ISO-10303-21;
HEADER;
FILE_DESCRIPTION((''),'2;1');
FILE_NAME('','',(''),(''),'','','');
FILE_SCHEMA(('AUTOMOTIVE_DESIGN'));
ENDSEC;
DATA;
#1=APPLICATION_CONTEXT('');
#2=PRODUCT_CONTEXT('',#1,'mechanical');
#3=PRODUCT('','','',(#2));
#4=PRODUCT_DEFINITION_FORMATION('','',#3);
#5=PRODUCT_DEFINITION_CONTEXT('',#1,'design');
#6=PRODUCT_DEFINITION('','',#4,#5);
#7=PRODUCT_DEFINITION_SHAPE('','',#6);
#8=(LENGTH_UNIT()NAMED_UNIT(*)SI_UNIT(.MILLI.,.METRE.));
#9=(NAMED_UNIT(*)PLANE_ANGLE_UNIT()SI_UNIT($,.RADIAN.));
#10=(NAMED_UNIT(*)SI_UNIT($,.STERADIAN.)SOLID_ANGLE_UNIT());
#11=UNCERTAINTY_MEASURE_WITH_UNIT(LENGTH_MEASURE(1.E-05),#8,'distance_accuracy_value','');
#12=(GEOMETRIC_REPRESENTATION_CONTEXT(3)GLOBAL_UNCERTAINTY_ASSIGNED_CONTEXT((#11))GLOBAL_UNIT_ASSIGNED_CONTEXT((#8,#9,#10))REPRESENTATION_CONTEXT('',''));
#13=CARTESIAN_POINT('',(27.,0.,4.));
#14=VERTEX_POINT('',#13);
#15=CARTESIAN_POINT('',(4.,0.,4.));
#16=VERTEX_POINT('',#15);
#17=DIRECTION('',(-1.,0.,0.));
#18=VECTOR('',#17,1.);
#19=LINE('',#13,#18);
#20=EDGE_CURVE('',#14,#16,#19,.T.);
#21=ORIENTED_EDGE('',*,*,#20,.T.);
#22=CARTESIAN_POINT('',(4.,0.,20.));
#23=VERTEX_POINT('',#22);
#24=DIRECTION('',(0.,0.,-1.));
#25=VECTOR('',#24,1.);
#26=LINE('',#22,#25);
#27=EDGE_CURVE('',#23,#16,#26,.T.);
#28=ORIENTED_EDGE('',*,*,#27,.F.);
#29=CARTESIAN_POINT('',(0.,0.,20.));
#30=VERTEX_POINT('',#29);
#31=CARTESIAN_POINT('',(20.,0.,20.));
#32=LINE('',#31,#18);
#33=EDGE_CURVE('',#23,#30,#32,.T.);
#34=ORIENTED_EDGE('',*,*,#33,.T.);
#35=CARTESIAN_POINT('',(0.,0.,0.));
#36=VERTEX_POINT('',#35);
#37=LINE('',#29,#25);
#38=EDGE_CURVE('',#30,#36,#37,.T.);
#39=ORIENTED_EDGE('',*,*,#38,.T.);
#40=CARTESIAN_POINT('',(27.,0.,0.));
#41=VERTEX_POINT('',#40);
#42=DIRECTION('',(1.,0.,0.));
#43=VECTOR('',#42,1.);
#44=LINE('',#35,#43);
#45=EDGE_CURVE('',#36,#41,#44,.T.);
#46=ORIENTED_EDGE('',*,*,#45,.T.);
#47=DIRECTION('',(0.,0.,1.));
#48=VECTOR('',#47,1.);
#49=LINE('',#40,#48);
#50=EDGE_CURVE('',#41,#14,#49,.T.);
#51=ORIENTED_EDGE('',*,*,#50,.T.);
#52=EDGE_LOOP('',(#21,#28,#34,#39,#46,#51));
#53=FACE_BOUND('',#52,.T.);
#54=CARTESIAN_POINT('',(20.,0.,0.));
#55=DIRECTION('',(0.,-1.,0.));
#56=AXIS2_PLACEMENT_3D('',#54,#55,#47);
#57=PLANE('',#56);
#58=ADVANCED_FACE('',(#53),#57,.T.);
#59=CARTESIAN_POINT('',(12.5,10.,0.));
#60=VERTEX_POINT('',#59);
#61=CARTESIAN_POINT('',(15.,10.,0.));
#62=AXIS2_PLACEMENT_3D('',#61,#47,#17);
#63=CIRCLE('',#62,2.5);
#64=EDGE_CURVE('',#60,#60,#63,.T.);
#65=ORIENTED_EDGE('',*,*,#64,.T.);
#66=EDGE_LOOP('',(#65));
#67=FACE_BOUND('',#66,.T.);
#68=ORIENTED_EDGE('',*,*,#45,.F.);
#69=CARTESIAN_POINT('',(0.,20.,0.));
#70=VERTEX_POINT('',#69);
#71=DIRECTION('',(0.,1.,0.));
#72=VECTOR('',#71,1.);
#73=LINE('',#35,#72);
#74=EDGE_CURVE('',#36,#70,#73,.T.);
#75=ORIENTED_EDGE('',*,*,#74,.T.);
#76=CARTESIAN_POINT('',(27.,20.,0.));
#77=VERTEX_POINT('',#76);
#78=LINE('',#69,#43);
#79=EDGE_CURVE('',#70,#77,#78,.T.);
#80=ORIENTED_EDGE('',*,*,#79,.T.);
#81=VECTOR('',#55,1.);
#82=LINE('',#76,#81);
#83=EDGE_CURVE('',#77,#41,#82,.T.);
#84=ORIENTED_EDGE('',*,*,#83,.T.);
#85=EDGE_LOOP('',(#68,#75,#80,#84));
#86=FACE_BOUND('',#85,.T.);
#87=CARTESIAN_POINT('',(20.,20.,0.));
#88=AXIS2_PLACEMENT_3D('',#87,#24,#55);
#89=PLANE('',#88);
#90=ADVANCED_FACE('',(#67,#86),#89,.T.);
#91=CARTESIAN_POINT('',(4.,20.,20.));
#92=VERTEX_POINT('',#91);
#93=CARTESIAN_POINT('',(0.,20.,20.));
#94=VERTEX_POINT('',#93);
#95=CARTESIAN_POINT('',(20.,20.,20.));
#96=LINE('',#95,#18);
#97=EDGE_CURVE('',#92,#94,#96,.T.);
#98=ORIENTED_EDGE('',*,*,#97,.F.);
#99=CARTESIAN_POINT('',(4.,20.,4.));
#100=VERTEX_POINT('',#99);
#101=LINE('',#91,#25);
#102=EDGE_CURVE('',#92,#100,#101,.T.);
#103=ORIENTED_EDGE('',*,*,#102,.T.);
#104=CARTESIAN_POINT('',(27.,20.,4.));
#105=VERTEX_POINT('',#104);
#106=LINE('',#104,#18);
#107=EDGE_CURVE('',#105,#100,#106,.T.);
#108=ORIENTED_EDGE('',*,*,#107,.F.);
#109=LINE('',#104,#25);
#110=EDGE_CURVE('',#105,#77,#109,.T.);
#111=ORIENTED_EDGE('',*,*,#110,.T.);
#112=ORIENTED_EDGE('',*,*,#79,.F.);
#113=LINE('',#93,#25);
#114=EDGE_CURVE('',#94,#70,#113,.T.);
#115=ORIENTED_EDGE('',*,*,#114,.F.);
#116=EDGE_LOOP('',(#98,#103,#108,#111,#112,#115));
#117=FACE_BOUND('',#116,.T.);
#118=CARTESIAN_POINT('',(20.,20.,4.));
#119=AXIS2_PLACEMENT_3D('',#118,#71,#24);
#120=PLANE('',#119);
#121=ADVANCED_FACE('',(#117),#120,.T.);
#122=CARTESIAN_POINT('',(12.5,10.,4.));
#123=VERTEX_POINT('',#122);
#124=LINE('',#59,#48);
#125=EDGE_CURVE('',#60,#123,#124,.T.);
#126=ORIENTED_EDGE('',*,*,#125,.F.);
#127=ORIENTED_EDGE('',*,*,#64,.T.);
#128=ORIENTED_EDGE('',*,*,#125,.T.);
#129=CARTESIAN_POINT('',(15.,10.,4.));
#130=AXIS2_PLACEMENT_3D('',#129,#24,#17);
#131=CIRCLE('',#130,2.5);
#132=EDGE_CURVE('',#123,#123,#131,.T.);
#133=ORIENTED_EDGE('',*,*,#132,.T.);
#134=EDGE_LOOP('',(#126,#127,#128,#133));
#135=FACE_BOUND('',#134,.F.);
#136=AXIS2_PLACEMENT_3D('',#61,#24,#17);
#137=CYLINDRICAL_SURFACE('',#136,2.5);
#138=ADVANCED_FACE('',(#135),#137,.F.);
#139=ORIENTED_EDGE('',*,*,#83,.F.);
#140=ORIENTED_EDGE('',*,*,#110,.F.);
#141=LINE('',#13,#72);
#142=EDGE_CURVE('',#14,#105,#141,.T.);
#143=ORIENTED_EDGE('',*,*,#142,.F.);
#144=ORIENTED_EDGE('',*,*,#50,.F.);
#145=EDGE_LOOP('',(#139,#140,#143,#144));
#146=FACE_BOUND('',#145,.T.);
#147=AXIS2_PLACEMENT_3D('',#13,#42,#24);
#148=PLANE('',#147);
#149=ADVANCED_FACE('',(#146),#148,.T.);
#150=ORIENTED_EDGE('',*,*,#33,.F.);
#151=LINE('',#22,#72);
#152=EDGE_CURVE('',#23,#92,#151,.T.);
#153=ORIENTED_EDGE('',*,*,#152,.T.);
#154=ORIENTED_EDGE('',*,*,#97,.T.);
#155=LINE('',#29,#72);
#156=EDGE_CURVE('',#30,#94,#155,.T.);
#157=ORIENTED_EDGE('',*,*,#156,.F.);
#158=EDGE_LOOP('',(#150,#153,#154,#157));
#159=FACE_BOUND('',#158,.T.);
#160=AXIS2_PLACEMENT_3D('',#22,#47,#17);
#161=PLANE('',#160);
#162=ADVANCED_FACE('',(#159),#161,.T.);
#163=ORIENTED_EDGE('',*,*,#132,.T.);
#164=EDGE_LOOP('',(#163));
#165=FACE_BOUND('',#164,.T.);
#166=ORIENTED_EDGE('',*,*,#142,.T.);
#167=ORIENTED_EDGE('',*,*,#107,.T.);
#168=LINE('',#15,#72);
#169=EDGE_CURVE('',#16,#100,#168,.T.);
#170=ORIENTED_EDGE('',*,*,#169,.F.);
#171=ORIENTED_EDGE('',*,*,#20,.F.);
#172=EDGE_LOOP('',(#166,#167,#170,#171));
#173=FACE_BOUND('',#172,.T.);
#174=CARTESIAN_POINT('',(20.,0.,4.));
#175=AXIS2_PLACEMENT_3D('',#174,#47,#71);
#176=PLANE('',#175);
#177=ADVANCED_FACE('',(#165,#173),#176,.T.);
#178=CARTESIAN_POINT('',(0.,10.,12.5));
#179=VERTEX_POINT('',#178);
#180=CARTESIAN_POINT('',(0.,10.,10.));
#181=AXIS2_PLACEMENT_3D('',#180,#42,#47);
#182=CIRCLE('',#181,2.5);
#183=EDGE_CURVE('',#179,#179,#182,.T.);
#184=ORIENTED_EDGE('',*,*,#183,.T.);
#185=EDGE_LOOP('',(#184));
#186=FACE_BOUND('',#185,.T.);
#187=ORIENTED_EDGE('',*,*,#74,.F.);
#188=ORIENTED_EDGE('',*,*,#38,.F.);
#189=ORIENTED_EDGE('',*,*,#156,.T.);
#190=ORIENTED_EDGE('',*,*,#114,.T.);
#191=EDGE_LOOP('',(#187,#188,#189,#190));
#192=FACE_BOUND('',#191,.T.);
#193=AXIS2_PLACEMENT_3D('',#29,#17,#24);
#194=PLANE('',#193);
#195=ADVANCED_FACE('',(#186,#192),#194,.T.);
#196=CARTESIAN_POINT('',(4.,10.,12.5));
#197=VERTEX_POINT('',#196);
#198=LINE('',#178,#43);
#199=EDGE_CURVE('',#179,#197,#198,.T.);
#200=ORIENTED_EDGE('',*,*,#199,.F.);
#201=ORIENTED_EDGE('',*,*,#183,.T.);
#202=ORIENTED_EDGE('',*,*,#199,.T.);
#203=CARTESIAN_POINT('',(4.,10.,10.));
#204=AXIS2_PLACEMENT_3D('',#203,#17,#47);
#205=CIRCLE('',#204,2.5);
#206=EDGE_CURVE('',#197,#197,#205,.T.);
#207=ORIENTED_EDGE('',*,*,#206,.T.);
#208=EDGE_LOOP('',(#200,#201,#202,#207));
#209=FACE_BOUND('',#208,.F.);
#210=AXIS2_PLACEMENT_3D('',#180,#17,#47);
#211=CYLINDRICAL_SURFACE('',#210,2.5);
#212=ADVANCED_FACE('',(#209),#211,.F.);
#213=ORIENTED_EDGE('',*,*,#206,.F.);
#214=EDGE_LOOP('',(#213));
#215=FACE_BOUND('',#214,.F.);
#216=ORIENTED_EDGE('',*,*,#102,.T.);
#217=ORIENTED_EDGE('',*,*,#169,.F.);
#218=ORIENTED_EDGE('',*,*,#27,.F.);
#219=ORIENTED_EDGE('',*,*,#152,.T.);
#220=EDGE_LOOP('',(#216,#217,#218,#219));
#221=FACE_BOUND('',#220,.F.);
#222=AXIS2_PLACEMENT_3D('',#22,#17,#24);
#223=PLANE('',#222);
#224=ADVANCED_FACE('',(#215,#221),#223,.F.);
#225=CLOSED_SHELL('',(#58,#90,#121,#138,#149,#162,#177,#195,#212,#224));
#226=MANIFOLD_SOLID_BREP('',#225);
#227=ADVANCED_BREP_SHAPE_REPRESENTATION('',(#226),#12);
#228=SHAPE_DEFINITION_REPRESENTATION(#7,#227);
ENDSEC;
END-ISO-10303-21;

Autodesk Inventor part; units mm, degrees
ref_plane "YZ Plane" through (0, 0, 0) normal (1, 0, 0) x (0, 1, 0)
ref_plane "XZ Plane" through (0, 0, 0) normal (0, 1, 0) x (-1, 0, 0)
ref_plane "XY Plane" through (0, 0, 0) normal (0, 0, 1) x (1, 0, 0)
sketch "Sketch1" plane through (0, 0, 0) normal (0, 1, 0) x (-1, 0, 0)
  line L0 (0, 0) -> (-20, 0)
  line L1 (-20, 0) -> (-20, 20)
  line L2 (-20, 20) -> (0, 20)
  line L3 (0, 20) -> (0, 0)
  line L4 (-20, 20) -> (-4, 20)
  line L5 (-4, 20) -> (-4, 4)
  line L6 (-4, 4) -> (-20, 4)
  line L7 (-20, 4) -> (-20, 20)
  dimension "d0" = 20
  dimension "d1" = 20
  dimension "d2" = 16
  dimension "d3" = 16
extrude "Extrusion1" add sketch "Sketch1" along normal blind 20 contours L0 L1 L6 L5 L2 L3
sketch "Sketch2" plane through (0, 0, 0) normal (-1, 0, 0) x (0, 0, 1)
  line L0 (0, 0) -> (10, 0)
  line L1 (10, 0) -> (10, 10)
  line L2 (10, 10) -> (0, 10)
  line L3 (0, 10) -> (0, 0)
  circle A0 centre (10, 10) radius 2.5
  dimension "d6" = 10
  dimension "d7" = 10
  dimension "d8" = 5
extrude "Extrusion2" cut sketch "Sketch2" against normal blind 20 contours A0 L2 L1 | L1 L2 A0
sketch "Sketch3" plane through (20, 0, 0) normal (0, 0, -1) x (-1, 0, 0)
  line L0 (16, 0) -> (0, 0) projected
  line L1 (0, 0) -> (5, 0)
  line L2 (5, 0) -> (5, 10)
  line L3 (5, 10) -> (0, 10)
  line L4 (0, 10) -> (0, 0)
  circle A0 centre (5, 10) radius 2.5
  point P0 (20, 0)
  dimension "d11" = 5
  dimension "d12" = 10
  dimension "d13" = 5
extrude "Extrusion3" cut sketch "Sketch3" against normal blind 20 contours A0 L3 L2 | L2 L3 A0
sketch "Sketch4" plane through (20, 0, 4) normal (1, 0, 0) x (0, 0, -1)
  line L0 (4, 0) -> (-16, 0) projected
  line L1 (0, 0) -> (0, 20) projected
  line L2 (4, 0) -> (0, 0)
  line L3 (0, 0) -> (0, 20)
  line L4 (0, 20) -> (4, 20)
  line L5 (4, 20) -> (4, 0)
extrude "Extrusion4" add sketch "Sketch4" along normal blind 7
properties part number "l-holder_2020"
